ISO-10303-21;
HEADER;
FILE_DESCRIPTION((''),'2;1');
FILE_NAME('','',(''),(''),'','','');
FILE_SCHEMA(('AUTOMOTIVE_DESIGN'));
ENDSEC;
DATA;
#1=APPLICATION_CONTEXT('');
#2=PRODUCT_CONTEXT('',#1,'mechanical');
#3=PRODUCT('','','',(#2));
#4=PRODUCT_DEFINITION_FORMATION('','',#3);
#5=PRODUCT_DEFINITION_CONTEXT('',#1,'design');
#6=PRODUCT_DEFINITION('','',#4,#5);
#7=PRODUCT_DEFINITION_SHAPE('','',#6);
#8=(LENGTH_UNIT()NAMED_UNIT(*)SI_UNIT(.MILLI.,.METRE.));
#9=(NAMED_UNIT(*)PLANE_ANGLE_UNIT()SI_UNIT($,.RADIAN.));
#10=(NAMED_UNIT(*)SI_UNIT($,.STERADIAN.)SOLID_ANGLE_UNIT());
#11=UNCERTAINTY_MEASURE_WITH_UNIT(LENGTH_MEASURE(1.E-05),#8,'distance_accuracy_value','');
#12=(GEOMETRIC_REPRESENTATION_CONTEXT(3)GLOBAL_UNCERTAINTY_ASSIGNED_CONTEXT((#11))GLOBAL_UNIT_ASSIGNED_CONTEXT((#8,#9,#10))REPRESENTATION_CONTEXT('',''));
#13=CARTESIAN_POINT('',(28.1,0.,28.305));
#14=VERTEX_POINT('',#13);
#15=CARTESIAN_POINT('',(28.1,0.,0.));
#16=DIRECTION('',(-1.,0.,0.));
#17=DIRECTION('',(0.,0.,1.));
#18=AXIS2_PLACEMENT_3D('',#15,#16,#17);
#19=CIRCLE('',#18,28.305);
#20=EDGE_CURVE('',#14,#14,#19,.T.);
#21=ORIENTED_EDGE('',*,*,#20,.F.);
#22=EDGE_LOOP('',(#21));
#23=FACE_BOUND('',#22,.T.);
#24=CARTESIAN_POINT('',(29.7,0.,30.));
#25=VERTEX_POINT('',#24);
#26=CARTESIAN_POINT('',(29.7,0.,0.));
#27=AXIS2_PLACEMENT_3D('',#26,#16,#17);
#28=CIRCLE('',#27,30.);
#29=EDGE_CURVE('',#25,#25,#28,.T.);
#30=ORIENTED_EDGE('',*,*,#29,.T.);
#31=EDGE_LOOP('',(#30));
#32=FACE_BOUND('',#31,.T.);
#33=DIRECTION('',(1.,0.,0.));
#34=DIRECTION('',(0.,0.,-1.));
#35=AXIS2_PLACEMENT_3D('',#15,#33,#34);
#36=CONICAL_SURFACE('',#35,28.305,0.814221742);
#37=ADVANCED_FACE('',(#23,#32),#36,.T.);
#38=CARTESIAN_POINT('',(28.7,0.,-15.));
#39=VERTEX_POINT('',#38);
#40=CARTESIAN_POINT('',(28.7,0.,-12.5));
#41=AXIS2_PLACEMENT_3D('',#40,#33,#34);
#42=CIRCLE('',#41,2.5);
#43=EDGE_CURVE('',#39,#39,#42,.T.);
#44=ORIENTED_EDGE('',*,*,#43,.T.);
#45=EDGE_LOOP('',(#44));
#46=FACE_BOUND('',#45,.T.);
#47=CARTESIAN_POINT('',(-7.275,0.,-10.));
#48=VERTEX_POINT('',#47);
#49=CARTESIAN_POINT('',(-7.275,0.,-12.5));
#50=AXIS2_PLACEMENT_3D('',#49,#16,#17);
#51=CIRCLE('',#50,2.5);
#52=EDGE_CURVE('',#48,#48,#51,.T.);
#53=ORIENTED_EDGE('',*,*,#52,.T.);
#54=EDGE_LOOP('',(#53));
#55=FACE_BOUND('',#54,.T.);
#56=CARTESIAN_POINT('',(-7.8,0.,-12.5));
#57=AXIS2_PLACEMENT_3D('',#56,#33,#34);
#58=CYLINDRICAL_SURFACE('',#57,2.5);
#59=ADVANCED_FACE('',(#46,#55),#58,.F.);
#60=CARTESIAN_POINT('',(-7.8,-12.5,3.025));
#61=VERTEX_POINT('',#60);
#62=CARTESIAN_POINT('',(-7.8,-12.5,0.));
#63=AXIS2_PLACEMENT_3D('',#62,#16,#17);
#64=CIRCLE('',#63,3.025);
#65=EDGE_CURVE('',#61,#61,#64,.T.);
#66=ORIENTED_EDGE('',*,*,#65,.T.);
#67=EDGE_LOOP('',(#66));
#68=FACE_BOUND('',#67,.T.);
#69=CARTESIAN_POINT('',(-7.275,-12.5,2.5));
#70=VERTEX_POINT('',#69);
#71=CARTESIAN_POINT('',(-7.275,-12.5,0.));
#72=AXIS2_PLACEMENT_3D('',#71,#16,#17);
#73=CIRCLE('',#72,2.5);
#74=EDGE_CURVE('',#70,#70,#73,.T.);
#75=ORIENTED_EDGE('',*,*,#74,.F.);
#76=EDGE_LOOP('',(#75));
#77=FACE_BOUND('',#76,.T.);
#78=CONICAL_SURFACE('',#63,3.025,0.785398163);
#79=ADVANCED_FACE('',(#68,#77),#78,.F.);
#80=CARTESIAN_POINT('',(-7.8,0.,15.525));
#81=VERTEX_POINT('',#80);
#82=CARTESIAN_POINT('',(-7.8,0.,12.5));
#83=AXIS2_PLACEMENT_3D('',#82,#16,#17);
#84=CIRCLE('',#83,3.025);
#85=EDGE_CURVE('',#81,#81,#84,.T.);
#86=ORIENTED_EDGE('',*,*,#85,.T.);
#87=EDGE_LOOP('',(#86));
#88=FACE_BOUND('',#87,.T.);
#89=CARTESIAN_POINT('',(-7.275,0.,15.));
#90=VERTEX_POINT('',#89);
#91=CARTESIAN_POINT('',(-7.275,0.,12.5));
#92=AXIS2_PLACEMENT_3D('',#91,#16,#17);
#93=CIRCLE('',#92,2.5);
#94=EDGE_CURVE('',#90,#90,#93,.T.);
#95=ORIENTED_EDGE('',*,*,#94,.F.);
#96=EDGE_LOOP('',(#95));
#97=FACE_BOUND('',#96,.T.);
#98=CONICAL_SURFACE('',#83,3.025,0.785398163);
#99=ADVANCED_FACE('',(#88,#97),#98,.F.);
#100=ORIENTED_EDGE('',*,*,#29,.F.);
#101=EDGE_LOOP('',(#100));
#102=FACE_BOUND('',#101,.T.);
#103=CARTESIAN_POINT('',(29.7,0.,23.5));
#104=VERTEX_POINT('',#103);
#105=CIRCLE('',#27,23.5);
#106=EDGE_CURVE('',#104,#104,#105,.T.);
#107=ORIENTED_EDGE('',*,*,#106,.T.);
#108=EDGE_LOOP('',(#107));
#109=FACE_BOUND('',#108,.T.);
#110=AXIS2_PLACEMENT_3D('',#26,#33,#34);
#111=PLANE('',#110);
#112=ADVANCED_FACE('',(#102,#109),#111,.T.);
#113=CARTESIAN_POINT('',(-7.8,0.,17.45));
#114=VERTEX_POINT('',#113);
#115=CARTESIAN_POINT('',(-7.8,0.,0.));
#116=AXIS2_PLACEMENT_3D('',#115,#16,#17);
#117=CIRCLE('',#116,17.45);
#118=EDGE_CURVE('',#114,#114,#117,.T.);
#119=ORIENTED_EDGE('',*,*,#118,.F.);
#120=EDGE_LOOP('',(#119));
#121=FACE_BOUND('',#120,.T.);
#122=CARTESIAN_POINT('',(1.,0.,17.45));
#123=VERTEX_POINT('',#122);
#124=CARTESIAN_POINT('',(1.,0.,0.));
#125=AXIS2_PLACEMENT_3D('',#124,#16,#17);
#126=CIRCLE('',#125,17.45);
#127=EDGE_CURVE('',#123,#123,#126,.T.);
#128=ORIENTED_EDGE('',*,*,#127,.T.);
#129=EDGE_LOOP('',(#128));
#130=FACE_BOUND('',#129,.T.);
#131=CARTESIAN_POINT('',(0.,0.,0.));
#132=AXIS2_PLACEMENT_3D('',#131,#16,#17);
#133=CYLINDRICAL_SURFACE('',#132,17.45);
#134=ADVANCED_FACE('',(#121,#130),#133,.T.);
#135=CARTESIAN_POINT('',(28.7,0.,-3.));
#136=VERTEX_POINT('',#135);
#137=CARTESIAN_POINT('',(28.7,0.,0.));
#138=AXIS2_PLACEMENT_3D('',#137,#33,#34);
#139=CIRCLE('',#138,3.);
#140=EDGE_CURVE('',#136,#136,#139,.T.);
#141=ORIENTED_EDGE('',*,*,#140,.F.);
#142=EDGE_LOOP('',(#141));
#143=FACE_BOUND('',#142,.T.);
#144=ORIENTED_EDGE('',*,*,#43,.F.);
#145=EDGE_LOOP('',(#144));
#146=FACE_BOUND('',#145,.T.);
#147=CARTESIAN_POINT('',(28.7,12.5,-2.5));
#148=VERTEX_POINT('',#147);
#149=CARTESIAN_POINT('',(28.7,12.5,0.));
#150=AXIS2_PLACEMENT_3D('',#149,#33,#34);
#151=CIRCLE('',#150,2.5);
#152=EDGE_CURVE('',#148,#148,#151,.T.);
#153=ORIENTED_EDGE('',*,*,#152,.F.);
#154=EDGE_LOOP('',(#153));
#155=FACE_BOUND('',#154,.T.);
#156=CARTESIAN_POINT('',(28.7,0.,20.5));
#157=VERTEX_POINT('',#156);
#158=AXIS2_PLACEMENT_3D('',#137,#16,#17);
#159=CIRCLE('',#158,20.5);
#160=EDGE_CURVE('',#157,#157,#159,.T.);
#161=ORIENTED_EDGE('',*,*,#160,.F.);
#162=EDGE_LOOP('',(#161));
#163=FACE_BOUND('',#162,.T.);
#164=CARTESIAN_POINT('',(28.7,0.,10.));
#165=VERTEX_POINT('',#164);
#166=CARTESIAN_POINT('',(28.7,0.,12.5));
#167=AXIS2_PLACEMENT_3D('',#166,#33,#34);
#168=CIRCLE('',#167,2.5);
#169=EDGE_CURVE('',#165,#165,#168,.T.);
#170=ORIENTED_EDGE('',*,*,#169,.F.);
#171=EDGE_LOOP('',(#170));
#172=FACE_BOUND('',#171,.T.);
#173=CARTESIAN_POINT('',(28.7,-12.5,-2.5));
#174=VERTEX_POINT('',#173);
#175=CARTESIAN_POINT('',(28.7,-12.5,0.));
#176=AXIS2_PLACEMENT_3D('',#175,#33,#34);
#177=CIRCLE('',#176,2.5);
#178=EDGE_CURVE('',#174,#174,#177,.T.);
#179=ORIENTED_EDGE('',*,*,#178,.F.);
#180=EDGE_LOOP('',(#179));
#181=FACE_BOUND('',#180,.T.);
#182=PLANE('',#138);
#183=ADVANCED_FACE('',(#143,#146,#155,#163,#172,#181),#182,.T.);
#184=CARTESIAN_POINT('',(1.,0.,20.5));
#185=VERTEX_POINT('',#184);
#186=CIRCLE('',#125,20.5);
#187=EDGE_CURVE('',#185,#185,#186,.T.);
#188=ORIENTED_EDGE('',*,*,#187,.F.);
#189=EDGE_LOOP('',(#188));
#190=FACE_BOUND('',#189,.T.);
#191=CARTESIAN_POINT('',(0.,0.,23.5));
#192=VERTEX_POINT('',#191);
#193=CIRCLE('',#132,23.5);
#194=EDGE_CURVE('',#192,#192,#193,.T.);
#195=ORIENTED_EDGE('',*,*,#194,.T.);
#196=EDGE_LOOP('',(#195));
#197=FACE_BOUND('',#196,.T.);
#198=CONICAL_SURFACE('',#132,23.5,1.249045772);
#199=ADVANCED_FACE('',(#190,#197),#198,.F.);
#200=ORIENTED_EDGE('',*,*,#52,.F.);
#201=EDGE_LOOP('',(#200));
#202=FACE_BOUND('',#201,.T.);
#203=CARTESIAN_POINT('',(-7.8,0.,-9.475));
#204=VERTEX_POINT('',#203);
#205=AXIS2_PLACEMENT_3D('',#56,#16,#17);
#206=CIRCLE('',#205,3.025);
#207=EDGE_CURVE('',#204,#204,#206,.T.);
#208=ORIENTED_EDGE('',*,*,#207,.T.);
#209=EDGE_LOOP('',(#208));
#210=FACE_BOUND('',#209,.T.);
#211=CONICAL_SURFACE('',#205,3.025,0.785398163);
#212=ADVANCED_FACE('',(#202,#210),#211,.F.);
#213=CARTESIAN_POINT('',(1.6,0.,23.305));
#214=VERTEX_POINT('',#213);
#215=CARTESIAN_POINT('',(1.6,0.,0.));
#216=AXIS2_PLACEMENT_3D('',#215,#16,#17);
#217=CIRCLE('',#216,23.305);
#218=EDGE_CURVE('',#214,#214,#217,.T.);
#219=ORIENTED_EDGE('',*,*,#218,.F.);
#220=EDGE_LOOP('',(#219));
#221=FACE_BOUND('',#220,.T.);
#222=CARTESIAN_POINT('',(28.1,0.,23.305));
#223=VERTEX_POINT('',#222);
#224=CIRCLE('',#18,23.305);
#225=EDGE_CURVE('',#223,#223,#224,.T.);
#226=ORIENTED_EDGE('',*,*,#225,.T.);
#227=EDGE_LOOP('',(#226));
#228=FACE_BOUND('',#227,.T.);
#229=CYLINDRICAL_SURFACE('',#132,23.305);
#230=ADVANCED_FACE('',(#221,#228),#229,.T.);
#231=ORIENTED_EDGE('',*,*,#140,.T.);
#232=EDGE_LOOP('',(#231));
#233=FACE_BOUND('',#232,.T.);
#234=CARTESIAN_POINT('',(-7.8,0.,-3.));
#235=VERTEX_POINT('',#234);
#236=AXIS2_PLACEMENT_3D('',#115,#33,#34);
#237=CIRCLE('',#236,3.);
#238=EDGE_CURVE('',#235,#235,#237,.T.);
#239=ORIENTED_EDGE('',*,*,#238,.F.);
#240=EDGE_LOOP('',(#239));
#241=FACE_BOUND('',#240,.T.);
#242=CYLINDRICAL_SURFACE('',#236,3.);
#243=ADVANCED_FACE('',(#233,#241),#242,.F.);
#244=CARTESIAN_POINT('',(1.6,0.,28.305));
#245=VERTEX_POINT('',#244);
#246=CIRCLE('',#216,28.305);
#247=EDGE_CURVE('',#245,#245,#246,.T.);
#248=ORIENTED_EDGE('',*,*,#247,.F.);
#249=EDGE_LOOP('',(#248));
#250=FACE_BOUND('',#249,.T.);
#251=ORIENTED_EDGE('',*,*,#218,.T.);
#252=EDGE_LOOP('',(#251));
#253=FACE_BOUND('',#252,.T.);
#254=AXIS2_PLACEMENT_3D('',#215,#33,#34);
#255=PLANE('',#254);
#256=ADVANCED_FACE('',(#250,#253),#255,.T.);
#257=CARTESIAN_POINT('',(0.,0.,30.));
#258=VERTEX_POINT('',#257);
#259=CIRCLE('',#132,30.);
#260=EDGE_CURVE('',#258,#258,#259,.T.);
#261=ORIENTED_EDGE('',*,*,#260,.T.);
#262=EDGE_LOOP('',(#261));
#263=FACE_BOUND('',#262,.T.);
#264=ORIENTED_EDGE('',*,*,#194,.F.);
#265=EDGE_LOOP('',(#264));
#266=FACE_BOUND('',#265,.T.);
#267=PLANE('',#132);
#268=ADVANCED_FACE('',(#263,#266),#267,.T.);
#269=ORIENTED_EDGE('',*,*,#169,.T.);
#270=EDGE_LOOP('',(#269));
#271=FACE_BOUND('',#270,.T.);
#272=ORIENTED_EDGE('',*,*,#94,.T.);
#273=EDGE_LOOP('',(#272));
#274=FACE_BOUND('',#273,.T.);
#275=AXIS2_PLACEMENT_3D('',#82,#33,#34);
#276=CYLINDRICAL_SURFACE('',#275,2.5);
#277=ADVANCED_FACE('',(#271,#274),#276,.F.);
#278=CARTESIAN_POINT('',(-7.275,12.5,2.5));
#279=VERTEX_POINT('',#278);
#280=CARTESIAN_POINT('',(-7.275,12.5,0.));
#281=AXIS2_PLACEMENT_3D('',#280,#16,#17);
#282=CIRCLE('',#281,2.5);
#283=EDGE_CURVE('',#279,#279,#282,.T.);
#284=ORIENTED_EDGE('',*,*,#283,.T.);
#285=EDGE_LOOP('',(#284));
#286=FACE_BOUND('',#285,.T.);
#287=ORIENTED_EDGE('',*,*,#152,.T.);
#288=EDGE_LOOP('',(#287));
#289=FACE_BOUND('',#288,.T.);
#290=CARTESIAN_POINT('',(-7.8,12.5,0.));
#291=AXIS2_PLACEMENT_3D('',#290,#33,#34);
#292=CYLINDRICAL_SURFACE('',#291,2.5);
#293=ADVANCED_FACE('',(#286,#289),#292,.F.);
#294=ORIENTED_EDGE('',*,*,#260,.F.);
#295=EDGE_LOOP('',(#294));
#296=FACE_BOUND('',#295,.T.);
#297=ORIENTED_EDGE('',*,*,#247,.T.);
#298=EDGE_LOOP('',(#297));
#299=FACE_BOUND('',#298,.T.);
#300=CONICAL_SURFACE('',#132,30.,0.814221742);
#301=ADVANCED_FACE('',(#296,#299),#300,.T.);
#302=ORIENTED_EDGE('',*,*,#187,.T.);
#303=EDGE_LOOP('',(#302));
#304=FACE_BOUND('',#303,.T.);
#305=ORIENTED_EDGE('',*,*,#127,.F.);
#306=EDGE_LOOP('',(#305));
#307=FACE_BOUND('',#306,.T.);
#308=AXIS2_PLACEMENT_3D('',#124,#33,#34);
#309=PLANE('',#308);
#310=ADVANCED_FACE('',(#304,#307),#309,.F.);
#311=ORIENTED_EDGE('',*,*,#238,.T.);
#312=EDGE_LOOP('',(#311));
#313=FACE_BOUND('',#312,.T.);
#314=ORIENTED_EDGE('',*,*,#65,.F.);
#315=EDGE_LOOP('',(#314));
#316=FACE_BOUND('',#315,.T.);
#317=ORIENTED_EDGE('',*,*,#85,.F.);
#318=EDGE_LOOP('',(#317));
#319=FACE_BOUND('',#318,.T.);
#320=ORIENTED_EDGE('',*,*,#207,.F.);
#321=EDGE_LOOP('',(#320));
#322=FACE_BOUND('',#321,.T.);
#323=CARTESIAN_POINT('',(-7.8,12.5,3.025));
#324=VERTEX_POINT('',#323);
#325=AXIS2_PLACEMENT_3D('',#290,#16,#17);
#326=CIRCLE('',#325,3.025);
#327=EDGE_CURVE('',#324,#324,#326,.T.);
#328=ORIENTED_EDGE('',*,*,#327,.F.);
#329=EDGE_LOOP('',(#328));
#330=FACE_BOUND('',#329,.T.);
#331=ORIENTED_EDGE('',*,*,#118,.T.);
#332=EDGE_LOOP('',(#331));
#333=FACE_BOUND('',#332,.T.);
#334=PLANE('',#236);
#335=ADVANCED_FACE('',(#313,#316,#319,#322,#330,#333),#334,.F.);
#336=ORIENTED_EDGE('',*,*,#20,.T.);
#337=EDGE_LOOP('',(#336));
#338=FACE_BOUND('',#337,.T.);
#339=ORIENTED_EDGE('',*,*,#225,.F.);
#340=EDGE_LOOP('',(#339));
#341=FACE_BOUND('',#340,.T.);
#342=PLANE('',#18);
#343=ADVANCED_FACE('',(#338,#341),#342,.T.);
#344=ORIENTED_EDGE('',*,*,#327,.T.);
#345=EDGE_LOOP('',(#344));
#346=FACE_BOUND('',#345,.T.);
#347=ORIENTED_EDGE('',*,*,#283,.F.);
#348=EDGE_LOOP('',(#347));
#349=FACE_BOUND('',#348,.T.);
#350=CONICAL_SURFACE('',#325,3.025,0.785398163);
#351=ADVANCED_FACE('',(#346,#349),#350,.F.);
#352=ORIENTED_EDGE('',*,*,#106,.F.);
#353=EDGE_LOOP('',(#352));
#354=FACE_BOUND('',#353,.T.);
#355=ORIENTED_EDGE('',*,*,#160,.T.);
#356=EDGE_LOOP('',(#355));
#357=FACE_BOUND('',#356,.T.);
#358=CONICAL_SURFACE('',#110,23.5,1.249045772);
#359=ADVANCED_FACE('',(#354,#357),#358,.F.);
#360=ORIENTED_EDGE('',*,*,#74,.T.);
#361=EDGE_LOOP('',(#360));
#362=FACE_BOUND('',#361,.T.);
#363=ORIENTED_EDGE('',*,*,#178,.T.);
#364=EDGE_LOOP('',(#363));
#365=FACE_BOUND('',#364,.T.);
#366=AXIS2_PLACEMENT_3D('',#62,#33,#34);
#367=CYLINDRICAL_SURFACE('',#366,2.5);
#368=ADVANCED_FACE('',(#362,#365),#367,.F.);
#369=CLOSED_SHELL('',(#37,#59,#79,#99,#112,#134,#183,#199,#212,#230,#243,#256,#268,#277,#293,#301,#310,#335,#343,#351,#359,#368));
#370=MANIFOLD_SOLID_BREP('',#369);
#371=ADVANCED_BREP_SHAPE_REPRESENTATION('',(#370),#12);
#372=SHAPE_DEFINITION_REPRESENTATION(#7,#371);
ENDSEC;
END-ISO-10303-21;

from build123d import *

# Parameters (mm, degrees)
SKETCH1_W                   = 7.8
SKETCH1_H                   = 17.45
SKETCH2_R                   = 2.5
CUT_EXTRUDE1_DEPTH          = 57.623758265
M6_TAPPED_HOLE2_D           = 5
M6_TAPPED_HOLE2_DEPTH       = 55
M6_TAPPED_HOLE2_CSINK_D     = 6.05
M6_TAPPED_HOLE2_CSINK_ANGLE = 90
M6_TAPPED_HOLE2_TIP         = 1.502151548
SKETCH5_R                   = 3
CUT_EXTRUDE2_DEPTH          = 56.966507842


with BuildPart() as part:
    # Sketch1 → Revolve1 (revolve)
    with BuildSketch(Plane.XY, mode=Mode.PRIVATE) as revolve1_sk:
        Polygon((28.1, 23.305), (1.6, 23.305), (0.065, 23.305), (1, 20.5), (1, 17.45), (0, 17.45), (0, 0), (28.7, 0), (28.7, 20.5), (29.7, 23.5), (29.7, 30), (28.1, 28.305), align=None)
        Polygon((0.065, 23.305), (1.6, 23.305), (1.6, 28.305), (0, 30), (0, 23.5), align=None)
        with Locations((-3.9, 8.725)):
            Rectangle(SKETCH1_W, SKETCH1_H)
    revolve(revolve1_sk.sketch.rotate(Axis((0, 0, 0), (1, 0, 0)), 90), axis=Axis((0, 0, 0), (1, 0, 0)))

    # Sketch2 → Cut-Extrude1 (cut, through all)
    with BuildSketch(Plane(origin=(29.7, 0, 0), x_dir=(0, 0, -1), z_dir=(1, 0, 0))):
        with Locations((12.5, 0)):
            Circle(SKETCH2_R)
        with Locations((0, -12.5)):
            Circle(SKETCH2_R)
        with Locations((-12.5, 0)):
            Circle(SKETCH2_R)
        with Locations((0, 12.5)):
            Circle(SKETCH2_R)
    extrude(amount=-CUT_EXTRUDE1_DEPTH, mode=Mode.SUBTRACT)

    # M6 Tapped Hole2
    with Locations(Plane(origin=(-7.8, 0, -12.5), x_dir=(0, 0, -1), z_dir=(-1, 0, 0))):
        with Locations((0, 0), (-12.5, -12.5), (-25, 0), (-12.5, 12.5)):
            CounterSinkHole(M6_TAPPED_HOLE2_D / 2, M6_TAPPED_HOLE2_CSINK_D / 2, depth=M6_TAPPED_HOLE2_DEPTH, counter_sink_angle=M6_TAPPED_HOLE2_CSINK_ANGLE)
            with Locations((0, 0, -(M6_TAPPED_HOLE2_DEPTH + M6_TAPPED_HOLE2_TIP / 2))):  # 118° drill point
                Cone(0, M6_TAPPED_HOLE2_D / 2, M6_TAPPED_HOLE2_TIP, mode=Mode.SUBTRACT)

    # Sketch5 → Cut-Extrude2 (cut, through all)
    with BuildSketch(Plane(origin=(28.7, 0, 0), x_dir=(0, 0, -1), z_dir=(1, 0, 0))):
        Circle(SKETCH5_R)
    extrude(amount=-CUT_EXTRUDE2_DEPTH, mode=Mode.SUBTRACT)


solid = part.part
